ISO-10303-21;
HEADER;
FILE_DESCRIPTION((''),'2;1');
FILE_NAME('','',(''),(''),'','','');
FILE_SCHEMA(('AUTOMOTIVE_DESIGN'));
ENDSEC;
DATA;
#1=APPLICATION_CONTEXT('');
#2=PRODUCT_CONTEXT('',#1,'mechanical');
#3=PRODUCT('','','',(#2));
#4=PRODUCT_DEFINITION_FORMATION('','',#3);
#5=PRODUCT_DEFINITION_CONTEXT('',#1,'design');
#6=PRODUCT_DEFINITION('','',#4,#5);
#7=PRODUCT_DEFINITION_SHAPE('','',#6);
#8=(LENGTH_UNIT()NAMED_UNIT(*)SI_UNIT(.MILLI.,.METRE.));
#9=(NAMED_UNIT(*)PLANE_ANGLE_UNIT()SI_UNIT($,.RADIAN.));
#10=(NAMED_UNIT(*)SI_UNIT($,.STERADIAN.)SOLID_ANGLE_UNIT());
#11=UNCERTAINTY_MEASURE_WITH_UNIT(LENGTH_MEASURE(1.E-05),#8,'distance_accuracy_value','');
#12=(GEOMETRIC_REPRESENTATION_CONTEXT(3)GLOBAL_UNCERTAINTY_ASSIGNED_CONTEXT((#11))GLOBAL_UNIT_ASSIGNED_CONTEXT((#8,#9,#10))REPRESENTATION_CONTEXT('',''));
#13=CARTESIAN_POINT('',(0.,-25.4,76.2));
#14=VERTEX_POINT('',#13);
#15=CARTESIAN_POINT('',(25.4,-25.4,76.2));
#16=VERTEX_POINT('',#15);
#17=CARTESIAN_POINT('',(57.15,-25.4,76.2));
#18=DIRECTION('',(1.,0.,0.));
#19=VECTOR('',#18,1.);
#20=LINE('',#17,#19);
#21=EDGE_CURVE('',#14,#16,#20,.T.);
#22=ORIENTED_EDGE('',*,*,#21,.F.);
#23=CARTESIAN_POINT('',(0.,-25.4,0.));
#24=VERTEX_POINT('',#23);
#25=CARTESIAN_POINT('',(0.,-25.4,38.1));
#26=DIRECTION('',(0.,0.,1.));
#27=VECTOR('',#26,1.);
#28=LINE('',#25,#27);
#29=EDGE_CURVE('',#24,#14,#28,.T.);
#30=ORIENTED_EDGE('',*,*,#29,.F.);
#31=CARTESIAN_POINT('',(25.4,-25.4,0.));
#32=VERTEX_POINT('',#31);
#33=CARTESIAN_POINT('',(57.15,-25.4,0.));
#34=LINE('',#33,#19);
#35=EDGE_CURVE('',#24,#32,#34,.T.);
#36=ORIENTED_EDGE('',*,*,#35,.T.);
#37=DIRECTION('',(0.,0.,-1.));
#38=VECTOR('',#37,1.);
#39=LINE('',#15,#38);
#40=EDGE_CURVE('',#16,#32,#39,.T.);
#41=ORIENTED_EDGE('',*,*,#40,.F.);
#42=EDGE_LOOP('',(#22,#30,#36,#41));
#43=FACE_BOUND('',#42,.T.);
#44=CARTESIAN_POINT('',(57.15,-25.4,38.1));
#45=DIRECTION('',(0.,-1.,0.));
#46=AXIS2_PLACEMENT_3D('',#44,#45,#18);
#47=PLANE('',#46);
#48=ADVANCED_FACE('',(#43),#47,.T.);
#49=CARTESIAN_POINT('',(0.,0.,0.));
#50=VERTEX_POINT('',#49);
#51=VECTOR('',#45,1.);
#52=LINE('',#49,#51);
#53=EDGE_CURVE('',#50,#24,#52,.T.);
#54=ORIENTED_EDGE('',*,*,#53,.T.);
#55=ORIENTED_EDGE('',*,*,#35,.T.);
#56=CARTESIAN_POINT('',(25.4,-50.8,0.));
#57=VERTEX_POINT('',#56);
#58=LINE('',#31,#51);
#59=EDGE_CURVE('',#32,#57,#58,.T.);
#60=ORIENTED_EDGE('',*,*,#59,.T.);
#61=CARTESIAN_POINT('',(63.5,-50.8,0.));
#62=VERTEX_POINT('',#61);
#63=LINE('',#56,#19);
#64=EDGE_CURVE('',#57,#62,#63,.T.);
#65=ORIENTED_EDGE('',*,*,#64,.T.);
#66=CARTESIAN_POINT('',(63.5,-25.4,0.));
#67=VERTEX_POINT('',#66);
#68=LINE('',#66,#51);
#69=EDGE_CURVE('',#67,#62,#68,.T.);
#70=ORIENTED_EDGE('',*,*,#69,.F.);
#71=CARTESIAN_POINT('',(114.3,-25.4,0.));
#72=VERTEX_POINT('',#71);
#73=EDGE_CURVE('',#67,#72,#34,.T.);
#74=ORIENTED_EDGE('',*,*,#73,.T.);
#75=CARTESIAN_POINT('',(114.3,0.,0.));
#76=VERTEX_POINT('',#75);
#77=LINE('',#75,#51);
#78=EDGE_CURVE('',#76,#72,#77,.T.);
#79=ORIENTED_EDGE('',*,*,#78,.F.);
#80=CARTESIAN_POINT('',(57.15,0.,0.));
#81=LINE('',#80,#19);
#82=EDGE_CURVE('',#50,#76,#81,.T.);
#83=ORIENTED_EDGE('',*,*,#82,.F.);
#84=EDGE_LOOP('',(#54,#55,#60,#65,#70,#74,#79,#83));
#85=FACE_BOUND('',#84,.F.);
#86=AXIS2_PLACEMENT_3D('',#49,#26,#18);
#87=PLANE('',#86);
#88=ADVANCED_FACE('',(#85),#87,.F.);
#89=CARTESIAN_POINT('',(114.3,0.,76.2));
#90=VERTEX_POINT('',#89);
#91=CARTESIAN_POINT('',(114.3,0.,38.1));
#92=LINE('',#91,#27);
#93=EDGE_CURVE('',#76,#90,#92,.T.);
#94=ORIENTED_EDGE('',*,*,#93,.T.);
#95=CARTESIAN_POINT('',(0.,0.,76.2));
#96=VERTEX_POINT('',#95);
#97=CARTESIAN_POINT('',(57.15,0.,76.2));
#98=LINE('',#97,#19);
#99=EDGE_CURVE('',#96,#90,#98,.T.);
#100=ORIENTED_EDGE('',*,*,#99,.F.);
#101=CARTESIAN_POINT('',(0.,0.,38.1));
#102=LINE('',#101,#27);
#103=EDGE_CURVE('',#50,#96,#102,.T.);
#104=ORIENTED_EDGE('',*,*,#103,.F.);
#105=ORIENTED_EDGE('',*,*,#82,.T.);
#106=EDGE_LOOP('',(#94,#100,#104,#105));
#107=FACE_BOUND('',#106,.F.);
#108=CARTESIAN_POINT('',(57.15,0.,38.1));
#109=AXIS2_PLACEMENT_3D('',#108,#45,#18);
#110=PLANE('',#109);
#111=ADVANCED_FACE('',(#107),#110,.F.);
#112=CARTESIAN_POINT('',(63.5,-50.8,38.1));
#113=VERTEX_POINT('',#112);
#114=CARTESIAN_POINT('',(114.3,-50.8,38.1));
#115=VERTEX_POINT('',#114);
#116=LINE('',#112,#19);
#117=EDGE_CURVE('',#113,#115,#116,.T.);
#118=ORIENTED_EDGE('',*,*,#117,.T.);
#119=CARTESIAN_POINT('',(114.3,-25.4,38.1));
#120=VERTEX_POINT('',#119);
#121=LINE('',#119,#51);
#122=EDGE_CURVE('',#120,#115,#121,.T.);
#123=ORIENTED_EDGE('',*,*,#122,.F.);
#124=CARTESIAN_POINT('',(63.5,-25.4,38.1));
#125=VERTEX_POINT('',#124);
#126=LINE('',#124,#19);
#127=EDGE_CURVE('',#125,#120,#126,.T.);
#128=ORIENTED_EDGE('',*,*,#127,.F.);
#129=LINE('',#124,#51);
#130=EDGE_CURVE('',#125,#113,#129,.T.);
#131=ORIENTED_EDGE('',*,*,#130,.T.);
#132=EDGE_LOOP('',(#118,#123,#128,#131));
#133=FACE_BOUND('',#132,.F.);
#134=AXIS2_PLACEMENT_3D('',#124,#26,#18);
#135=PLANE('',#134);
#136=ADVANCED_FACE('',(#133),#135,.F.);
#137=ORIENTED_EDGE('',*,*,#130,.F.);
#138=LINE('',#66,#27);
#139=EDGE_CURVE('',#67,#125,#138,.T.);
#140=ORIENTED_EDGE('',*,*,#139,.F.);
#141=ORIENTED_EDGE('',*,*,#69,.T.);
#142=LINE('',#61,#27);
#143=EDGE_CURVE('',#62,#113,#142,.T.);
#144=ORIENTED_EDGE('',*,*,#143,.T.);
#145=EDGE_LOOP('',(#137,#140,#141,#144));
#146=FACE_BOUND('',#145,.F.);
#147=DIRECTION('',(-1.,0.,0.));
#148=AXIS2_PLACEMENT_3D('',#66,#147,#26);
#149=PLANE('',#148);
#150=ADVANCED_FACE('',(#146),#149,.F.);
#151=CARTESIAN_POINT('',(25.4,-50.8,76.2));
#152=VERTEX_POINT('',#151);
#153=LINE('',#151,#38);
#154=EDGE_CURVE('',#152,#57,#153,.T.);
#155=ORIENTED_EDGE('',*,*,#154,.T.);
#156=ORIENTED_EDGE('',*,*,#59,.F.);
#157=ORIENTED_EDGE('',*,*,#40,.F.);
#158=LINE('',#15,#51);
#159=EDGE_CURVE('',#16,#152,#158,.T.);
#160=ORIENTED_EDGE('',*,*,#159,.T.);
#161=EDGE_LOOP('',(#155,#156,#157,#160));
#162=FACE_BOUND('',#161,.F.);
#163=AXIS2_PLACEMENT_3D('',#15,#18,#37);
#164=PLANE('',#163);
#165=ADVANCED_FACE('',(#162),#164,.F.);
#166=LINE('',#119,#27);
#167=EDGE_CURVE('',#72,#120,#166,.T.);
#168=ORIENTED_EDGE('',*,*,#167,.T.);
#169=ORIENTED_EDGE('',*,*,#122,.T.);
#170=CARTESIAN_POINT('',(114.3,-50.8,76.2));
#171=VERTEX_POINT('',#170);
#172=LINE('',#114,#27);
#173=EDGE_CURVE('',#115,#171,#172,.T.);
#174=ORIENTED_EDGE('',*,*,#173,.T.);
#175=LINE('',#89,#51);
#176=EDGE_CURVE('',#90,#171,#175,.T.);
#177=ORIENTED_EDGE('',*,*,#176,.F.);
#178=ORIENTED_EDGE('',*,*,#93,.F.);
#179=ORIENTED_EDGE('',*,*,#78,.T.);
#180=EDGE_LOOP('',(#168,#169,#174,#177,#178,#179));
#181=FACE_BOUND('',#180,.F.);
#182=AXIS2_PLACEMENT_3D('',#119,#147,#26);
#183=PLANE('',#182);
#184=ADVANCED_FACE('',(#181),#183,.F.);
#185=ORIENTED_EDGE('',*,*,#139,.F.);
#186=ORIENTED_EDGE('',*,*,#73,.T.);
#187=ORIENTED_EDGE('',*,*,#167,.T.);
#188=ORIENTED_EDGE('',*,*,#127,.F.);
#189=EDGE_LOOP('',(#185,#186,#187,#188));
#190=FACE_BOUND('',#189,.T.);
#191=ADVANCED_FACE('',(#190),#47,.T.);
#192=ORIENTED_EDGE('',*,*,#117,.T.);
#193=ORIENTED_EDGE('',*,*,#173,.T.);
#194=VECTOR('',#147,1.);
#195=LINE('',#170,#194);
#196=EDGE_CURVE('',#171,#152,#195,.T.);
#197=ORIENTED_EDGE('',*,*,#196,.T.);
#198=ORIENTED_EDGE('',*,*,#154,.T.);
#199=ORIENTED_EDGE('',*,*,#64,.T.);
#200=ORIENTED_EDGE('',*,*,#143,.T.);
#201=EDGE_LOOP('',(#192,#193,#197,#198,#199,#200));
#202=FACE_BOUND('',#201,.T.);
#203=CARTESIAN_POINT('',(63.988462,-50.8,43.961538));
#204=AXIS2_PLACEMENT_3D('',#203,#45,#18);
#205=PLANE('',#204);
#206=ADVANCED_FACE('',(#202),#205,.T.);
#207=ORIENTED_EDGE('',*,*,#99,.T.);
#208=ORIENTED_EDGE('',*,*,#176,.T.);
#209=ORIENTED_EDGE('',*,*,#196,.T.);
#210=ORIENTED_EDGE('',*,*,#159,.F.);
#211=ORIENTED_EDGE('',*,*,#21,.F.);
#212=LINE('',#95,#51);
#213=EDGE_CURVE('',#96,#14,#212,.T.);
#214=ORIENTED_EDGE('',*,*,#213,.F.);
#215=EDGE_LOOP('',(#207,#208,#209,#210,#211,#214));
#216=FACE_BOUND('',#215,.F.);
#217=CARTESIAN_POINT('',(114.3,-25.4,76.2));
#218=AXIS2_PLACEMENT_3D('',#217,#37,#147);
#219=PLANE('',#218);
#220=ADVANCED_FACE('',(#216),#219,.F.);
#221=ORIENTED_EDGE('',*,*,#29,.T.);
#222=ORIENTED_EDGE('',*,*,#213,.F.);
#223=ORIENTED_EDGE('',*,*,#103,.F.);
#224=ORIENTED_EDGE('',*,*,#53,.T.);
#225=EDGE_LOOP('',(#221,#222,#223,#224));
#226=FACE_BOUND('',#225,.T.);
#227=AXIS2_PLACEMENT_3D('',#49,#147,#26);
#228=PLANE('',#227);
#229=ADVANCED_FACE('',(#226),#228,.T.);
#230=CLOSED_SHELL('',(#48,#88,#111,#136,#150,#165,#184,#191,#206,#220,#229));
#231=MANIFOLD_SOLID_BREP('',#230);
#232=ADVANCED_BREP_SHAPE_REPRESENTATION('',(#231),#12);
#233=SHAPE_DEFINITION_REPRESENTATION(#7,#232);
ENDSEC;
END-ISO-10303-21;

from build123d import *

# Parameters (mm, degrees)
F0_W     = 114.3
F0_H     = 76.2
F1_DEPTH = 25.4
F3_DEPTH = 25.4


with BuildPart() as f1:
    # F0 (on Front) → F1 (new body)
    with BuildSketch(Plane.XZ):
        with Locations((57.15, 38.1)):
            Rectangle(F0_W, F0_H)
    extrude(amount=F1_DEPTH)

    # F2 (on face) → F3 (join)
    with BuildSketch(Plane.XZ.offset(25.4)):
        Polygon((114.3, 38.1), (114.3, 76.2), (25.4, 76.2), (25.4, 0), (63.5, 0), (63.5, 38.1), align=None)
    extrude(amount=F3_DEPTH)


solid = f1.part
